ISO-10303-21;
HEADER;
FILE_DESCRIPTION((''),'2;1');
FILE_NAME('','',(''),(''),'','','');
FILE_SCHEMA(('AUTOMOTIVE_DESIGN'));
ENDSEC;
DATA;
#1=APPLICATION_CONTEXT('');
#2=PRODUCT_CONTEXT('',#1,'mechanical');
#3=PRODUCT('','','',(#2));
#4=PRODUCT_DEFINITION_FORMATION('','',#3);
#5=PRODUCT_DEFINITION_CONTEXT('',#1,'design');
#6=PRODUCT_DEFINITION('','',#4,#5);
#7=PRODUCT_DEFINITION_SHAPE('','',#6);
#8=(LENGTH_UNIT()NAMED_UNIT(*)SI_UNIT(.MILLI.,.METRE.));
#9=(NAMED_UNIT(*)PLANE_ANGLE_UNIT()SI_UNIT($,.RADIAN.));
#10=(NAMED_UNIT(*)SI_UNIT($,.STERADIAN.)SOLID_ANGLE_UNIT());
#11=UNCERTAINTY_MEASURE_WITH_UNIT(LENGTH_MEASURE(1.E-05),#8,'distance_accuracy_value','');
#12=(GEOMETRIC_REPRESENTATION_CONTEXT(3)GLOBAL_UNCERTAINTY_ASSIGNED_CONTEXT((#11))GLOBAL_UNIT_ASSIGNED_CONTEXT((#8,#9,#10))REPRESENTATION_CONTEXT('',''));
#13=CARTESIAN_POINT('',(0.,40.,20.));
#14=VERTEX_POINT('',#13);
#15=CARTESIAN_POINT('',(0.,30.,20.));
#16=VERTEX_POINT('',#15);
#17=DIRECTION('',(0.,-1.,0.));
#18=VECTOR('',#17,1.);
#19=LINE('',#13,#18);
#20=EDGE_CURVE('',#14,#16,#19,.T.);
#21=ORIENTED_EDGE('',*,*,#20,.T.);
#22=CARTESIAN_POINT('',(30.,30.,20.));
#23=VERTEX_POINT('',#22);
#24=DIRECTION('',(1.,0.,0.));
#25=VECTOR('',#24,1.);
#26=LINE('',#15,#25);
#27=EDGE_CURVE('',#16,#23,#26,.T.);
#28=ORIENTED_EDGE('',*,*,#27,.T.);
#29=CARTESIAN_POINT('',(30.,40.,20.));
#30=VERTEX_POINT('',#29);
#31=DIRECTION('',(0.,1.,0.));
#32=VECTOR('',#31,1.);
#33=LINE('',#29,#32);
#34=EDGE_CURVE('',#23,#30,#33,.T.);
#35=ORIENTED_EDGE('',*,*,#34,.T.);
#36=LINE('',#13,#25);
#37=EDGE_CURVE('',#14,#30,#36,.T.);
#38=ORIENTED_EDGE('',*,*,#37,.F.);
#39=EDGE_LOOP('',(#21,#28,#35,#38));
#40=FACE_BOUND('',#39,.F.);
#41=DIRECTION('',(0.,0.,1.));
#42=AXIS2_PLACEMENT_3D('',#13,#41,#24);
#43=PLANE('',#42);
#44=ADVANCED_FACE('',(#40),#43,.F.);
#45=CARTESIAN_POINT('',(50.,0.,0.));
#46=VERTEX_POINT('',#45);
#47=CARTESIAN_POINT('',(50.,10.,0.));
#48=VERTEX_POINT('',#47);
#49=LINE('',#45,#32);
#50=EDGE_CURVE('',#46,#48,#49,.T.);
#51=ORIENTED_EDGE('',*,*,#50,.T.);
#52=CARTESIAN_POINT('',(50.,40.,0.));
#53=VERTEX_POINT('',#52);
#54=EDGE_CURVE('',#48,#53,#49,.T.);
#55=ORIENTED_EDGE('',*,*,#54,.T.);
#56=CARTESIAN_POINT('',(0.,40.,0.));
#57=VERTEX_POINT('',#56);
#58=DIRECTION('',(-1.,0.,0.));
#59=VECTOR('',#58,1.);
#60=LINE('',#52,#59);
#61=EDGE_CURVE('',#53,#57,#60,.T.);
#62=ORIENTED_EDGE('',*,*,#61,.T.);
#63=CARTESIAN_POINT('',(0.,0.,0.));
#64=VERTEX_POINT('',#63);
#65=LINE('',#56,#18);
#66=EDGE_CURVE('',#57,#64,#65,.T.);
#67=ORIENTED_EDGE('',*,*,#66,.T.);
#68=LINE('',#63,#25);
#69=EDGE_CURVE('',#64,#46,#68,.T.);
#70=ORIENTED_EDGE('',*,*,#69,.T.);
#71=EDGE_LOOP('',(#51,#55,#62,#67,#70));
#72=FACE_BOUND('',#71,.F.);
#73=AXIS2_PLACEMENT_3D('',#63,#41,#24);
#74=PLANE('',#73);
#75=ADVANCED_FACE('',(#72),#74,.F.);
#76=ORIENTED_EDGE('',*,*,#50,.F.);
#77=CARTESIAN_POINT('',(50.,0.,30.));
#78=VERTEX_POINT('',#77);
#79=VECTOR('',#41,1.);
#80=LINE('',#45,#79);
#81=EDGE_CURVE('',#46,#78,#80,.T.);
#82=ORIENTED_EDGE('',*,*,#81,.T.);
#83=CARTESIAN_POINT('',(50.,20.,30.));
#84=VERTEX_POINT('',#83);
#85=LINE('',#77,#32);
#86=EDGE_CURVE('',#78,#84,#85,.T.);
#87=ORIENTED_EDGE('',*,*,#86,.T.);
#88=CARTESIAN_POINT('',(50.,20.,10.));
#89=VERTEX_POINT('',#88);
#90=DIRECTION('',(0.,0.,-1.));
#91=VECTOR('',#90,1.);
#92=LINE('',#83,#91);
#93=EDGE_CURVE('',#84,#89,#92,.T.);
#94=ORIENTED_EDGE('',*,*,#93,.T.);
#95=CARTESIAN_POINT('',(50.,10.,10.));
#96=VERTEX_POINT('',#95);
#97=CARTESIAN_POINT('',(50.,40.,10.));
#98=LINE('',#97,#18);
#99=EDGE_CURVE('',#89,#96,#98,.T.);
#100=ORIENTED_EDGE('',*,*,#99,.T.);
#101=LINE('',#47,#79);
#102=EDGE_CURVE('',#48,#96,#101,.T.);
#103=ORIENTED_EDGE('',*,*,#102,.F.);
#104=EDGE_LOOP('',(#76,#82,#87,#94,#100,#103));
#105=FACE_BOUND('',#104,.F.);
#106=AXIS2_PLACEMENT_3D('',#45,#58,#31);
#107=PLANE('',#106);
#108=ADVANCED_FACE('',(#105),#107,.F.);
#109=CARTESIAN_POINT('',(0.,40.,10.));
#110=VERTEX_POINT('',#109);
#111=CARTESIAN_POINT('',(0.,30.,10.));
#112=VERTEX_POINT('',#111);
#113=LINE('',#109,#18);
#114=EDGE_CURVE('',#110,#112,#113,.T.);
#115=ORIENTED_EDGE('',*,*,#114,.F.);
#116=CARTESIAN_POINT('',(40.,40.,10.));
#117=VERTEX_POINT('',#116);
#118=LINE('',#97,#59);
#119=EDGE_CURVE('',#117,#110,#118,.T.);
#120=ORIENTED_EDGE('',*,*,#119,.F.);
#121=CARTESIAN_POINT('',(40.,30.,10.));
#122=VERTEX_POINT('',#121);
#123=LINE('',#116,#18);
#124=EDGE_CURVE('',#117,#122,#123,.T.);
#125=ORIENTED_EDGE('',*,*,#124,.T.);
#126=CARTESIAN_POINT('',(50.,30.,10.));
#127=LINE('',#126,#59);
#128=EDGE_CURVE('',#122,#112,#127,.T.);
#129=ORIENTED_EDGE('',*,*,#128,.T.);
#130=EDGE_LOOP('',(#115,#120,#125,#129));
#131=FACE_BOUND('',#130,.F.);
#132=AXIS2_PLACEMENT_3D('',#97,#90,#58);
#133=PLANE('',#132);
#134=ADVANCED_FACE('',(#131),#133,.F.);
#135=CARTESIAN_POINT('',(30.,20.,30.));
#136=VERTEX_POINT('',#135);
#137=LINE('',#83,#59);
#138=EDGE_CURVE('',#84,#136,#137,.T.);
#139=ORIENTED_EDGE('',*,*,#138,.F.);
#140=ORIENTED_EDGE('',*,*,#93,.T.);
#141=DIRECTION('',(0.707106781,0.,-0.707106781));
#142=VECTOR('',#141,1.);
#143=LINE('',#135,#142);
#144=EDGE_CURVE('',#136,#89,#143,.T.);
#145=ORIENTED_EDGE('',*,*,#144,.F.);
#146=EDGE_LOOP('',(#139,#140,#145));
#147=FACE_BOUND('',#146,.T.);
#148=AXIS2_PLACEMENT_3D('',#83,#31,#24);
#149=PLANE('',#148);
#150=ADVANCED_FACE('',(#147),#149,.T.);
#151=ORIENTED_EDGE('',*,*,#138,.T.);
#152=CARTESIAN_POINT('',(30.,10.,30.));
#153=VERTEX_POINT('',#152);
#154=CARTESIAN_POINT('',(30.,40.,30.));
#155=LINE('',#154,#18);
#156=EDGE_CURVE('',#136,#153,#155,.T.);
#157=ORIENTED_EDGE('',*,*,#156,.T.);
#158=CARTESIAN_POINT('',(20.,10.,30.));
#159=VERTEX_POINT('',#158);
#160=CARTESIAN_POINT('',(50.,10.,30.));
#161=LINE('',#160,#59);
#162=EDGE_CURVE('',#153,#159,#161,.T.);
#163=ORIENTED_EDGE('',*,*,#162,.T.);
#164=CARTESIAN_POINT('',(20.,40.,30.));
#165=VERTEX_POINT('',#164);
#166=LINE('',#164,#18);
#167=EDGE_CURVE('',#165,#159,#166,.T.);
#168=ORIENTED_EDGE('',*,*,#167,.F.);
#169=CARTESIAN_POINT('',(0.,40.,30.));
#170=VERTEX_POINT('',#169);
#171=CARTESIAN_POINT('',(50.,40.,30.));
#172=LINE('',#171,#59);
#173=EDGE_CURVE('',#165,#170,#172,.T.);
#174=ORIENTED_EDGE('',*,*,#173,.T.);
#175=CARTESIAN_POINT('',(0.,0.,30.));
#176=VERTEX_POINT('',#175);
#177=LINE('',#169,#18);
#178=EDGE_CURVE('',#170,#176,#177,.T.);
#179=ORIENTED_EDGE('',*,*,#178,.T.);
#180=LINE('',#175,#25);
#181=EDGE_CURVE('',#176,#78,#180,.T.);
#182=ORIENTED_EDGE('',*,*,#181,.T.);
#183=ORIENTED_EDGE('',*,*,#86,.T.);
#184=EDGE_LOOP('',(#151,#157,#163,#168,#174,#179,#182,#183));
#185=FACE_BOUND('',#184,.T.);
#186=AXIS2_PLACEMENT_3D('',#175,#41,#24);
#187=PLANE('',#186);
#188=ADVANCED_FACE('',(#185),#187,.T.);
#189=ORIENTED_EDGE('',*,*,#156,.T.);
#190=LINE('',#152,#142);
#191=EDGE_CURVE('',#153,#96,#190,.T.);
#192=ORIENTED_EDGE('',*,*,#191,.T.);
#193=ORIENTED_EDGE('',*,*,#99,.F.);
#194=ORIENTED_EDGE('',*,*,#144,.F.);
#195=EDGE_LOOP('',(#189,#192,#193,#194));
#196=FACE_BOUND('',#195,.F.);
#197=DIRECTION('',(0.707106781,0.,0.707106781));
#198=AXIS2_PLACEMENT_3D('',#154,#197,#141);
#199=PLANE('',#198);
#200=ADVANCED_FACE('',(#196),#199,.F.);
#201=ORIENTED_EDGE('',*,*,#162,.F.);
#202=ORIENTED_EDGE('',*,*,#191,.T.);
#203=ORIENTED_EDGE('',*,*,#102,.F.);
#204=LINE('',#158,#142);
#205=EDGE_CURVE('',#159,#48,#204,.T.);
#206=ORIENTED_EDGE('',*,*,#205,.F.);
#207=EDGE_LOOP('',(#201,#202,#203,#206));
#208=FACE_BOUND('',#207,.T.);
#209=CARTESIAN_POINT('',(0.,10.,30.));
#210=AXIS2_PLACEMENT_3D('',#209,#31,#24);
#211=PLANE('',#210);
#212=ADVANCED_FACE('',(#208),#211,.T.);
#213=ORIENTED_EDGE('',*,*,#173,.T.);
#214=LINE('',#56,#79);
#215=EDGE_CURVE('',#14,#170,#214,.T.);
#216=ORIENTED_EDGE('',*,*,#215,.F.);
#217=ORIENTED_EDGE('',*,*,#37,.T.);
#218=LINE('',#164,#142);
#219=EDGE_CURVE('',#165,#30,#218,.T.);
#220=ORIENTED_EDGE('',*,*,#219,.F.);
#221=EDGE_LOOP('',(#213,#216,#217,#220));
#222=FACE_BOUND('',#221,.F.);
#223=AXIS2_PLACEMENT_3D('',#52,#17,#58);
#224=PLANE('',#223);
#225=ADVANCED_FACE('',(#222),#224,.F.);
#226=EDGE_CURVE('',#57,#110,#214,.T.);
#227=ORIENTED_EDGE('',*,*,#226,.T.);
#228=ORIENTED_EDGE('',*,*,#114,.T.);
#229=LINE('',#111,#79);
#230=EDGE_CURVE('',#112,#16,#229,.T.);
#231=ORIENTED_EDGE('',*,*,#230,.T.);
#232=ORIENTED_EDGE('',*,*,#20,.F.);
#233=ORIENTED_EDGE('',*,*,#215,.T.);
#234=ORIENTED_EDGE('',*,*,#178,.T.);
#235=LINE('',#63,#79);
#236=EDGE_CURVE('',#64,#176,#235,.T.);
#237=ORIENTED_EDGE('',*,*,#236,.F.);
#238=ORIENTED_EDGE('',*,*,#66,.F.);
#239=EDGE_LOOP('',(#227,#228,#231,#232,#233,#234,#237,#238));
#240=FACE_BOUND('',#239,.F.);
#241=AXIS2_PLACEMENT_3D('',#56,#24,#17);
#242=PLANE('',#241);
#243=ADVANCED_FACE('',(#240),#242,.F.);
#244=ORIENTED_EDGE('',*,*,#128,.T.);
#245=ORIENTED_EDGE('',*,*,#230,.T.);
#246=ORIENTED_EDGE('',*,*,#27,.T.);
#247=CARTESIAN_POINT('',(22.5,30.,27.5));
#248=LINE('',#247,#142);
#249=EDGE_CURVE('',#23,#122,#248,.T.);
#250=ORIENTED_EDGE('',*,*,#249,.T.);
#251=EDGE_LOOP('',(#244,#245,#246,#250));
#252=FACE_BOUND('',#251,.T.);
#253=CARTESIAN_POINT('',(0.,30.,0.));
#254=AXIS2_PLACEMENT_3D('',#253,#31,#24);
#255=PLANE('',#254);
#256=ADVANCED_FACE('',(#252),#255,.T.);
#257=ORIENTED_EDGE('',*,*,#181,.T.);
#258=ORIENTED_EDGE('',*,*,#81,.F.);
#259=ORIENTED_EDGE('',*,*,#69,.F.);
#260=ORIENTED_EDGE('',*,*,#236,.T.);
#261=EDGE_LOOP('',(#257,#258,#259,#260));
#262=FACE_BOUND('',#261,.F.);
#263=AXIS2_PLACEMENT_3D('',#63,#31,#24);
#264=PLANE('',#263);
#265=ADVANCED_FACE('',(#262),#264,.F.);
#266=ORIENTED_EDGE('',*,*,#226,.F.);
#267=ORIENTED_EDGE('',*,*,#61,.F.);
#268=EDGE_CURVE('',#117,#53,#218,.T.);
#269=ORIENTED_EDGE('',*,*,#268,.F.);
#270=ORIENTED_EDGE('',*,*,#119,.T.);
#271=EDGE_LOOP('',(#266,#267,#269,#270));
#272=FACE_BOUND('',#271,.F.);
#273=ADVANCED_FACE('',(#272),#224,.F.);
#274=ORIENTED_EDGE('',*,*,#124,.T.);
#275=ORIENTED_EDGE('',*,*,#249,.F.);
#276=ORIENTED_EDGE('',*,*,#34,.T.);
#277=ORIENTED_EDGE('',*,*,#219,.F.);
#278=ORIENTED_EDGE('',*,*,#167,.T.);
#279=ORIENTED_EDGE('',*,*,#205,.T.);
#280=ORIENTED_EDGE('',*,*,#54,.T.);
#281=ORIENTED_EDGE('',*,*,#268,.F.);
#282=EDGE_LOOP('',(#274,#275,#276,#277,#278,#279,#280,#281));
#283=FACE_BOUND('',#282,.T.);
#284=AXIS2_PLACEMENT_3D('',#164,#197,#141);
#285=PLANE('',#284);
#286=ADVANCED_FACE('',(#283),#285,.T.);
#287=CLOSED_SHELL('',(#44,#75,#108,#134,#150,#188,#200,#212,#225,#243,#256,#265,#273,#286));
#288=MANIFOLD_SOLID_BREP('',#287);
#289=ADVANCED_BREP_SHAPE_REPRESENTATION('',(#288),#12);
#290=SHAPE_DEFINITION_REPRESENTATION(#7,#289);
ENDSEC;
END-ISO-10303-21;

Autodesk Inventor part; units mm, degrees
ref_plane "YZ Plane" through (0, 0, 0) normal (1, 0, 0) x (0, 1, 0)
ref_plane "XZ Plane" through (0, 0, 0) normal (0, 1, 0) x (-1, 0, 0)
ref_plane "XY Plane" through (0, 0, 0) normal (0, 0, 1) x (1, 0, 0)
sketch "草圖1" plane through (0, 0, 0) normal (0, 0, 1) x (1, 0, 0)
  line L0 (0, 0) -> (50, 0)
  line L1 (50, 0) -> (50, 40)
  line L2 (50, 40) -> (0, 40)
  line L3 (0, 40) -> (0, 0)
  dimension "d0" = 50
  dimension "d1" = 40
extrude "擠出1" add sketch "草圖1" along normal blind 30
sketch "草圖2" plane through (0, 40, 0) normal (0, 1, 0) x (1, 0, 0)
  line L0 (50, 0) -> (50, -30) projected
  line L1 (0, -20) -> (50, -20)
  line L2 (50, -20) -> (50, -10)
  line L3 (50, -10) -> (0, -10)
  line L4 (0, -10) -> (0, -20)
  line L5 (50, 0) -> (0, 0) projected
  line L6 (0, 0) -> (0, -30) projected
  dimension "d4" = 10
  dimension "d5" = 10
extrude "擠出2" cut sketch "草圖2" against normal blind 10 contours L0 L1 L4 L3
sketch "草圖3" plane through (0, 40, 30) normal (0, 1, 0) x (1, 0, 0)
  line L0 (20, 0) -> (50, 30)
  line L1 (50, 30) -> (50, 20) projected
  line L2 (50, 30) -> (50, 0)
  line L3 (50, 0) -> (20, 0)
  line L4 (50, 30) -> (0, 30) projected
  line L5 (50, 10) -> (50, 0) projected
  line L6 (50, 0) -> (0, 0) projected
  line L7 (30, 0) -> (50, 20)
  dimension "d8" = 30
  dimension "d9" = 10
  dimension "d10" = 10
extrude "擠出3" cut sketch "草圖3" against normal blind 30 contours L0 L1 L7 L3
sketch "草圖4" plane through (50, 40, 30) normal (0, 1, 0) x (1, 0, 0)
  line L0 (-10, 10) -> (-20, 0) projected
  line L1 (0, 0) -> (-20, 0) projected
  line L2 (0, 10) -> (0, 0) projected
  line L3 (0, 10) -> (-10, 10) projected
  line L4 (0, 20) -> (-10, 10) projected
  line L5 (0, 10) -> (-10, 10) projected
  line L6 (0, 20) -> (0, 10) projected
  point P0 (-50, 30)
extrude "擠出4" cut sketch "草圖4" against normal blind 20
